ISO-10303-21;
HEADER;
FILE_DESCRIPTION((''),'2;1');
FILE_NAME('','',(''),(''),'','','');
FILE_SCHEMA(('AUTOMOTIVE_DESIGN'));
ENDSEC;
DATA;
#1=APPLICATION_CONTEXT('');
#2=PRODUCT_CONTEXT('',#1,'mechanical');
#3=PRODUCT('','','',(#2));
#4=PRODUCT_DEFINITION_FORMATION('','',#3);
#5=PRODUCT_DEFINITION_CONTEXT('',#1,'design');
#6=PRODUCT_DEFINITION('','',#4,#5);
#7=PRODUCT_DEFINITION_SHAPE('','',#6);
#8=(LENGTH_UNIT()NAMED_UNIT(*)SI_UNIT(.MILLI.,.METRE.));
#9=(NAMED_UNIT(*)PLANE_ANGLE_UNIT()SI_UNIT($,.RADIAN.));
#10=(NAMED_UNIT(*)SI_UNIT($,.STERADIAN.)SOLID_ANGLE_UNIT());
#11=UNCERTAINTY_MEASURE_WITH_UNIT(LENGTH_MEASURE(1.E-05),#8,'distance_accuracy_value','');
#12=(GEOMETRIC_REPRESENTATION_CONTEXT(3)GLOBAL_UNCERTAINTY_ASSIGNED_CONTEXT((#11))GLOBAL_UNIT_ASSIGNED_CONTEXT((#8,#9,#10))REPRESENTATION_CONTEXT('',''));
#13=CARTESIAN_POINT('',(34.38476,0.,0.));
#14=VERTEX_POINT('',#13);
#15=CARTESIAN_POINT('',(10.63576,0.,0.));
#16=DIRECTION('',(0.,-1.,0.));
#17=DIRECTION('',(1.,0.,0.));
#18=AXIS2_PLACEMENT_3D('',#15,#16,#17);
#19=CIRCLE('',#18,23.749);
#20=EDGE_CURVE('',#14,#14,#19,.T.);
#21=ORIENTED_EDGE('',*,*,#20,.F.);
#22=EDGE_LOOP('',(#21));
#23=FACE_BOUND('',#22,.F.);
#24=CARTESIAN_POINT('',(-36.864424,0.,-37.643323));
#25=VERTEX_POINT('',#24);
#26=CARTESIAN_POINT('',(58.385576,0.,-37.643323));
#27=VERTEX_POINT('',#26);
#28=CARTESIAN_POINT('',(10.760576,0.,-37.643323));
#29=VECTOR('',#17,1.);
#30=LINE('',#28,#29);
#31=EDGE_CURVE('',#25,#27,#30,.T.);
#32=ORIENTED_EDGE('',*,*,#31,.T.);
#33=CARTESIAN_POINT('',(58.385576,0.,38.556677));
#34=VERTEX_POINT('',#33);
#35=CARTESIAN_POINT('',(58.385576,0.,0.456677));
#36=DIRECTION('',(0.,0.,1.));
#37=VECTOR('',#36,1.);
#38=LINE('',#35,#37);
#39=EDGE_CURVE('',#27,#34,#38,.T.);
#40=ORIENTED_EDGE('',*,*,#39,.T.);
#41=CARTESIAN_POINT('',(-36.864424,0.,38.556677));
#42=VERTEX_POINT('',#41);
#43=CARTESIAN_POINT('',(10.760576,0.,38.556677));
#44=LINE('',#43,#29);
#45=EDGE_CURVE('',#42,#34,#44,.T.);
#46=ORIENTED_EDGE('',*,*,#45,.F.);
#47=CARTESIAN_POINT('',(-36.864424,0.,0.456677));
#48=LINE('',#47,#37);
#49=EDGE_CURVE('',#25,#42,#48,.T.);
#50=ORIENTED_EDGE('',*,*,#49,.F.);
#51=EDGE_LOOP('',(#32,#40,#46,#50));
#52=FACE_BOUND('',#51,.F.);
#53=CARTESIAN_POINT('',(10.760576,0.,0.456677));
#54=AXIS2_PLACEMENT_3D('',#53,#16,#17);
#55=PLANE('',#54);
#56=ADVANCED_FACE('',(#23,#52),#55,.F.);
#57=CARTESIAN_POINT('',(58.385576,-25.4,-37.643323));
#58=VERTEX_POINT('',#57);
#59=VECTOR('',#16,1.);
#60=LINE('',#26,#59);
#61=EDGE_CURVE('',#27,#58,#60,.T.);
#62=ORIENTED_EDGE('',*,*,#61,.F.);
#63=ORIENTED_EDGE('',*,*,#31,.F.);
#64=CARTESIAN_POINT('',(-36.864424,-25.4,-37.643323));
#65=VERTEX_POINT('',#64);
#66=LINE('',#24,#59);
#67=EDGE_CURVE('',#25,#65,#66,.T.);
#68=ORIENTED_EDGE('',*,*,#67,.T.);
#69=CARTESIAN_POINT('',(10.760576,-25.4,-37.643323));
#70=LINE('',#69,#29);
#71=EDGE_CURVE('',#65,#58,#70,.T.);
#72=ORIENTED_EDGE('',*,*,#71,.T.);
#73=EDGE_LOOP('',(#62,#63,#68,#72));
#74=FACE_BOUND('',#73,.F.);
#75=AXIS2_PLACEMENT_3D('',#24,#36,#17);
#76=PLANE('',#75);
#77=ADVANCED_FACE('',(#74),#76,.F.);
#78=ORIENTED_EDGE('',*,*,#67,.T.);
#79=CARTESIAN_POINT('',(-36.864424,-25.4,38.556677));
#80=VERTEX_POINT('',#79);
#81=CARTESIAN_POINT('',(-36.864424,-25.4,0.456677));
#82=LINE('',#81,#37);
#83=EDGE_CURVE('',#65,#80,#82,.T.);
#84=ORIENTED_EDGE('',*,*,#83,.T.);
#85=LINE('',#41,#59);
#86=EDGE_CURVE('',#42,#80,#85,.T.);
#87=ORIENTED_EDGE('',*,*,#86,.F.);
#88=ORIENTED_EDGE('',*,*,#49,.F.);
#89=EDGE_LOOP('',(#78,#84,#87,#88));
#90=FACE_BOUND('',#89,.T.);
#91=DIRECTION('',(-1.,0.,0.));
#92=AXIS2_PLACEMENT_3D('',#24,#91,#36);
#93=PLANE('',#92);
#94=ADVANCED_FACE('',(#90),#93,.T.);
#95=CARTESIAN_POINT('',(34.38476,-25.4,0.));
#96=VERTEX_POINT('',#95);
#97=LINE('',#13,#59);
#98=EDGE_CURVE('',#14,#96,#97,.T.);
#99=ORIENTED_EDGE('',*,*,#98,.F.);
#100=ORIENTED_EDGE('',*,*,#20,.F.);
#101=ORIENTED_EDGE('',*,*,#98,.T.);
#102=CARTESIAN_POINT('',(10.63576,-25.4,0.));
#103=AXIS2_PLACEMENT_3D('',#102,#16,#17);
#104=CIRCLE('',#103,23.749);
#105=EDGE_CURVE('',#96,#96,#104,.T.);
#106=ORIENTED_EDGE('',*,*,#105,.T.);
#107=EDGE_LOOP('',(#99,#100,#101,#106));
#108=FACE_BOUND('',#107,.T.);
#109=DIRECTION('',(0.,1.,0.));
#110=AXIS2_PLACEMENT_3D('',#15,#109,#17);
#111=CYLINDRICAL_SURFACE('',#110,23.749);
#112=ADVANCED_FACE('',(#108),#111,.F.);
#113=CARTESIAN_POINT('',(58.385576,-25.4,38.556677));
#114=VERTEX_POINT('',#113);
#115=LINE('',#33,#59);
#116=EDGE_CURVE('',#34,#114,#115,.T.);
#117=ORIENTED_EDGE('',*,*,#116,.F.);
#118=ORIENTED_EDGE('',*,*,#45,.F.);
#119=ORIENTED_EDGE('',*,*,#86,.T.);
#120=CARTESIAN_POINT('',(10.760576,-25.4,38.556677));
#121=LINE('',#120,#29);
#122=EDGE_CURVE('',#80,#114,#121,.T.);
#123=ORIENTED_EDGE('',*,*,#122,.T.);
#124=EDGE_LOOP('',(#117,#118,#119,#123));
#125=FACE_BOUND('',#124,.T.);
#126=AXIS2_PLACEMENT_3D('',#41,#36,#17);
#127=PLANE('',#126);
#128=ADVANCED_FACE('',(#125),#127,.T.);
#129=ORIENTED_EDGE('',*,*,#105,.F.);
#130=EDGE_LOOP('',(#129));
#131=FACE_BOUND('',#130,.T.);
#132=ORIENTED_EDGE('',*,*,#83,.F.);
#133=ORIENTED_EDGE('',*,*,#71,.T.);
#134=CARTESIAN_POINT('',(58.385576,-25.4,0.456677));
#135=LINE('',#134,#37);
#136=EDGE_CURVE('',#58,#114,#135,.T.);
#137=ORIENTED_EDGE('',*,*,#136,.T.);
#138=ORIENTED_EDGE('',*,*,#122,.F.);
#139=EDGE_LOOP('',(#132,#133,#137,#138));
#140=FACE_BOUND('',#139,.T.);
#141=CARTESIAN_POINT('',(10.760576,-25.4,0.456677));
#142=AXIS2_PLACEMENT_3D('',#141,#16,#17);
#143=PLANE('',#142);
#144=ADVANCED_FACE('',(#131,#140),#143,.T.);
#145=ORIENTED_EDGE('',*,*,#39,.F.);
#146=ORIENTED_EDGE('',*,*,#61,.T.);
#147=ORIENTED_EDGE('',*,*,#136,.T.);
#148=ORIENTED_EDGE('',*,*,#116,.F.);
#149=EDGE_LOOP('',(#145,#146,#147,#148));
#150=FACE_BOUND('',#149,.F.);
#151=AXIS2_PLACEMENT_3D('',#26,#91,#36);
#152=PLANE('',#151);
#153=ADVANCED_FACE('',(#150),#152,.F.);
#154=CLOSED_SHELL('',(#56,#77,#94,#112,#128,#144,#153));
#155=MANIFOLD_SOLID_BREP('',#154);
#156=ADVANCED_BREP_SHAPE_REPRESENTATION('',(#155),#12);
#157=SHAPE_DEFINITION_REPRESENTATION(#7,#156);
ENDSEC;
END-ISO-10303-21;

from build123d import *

# Parameters (mm, degrees)
F0_W     = 95.25
F0_H     = 76.2
F0_R     = 23.749
F1_DEPTH = 25.4
F2_DEPTH = 25.4


with BuildPart() as f1:
    # F0 (on Front) → F1 (new body)
    with BuildSketch(Plane.XZ):
        with Locations((10.760576, 0.456677)):
            Rectangle(F0_W, F0_H)
        with Locations((10.63576, 0)):
            Circle(F0_R, mode=Mode.SUBTRACT)
    extrude(amount=F1_DEPTH)

    # F0 (on Front) → F2 (cut)
    with BuildSketch(Plane.XZ):
        with Locations((10.760576, 0.456677)):
            Rectangle(F0_W, F0_H)
        with Locations((10.63576, 0)):
            Circle(F0_R, mode=Mode.SUBTRACT)
    extrude(amount=-F2_DEPTH, mode=Mode.SUBTRACT)


solid = f1.part
